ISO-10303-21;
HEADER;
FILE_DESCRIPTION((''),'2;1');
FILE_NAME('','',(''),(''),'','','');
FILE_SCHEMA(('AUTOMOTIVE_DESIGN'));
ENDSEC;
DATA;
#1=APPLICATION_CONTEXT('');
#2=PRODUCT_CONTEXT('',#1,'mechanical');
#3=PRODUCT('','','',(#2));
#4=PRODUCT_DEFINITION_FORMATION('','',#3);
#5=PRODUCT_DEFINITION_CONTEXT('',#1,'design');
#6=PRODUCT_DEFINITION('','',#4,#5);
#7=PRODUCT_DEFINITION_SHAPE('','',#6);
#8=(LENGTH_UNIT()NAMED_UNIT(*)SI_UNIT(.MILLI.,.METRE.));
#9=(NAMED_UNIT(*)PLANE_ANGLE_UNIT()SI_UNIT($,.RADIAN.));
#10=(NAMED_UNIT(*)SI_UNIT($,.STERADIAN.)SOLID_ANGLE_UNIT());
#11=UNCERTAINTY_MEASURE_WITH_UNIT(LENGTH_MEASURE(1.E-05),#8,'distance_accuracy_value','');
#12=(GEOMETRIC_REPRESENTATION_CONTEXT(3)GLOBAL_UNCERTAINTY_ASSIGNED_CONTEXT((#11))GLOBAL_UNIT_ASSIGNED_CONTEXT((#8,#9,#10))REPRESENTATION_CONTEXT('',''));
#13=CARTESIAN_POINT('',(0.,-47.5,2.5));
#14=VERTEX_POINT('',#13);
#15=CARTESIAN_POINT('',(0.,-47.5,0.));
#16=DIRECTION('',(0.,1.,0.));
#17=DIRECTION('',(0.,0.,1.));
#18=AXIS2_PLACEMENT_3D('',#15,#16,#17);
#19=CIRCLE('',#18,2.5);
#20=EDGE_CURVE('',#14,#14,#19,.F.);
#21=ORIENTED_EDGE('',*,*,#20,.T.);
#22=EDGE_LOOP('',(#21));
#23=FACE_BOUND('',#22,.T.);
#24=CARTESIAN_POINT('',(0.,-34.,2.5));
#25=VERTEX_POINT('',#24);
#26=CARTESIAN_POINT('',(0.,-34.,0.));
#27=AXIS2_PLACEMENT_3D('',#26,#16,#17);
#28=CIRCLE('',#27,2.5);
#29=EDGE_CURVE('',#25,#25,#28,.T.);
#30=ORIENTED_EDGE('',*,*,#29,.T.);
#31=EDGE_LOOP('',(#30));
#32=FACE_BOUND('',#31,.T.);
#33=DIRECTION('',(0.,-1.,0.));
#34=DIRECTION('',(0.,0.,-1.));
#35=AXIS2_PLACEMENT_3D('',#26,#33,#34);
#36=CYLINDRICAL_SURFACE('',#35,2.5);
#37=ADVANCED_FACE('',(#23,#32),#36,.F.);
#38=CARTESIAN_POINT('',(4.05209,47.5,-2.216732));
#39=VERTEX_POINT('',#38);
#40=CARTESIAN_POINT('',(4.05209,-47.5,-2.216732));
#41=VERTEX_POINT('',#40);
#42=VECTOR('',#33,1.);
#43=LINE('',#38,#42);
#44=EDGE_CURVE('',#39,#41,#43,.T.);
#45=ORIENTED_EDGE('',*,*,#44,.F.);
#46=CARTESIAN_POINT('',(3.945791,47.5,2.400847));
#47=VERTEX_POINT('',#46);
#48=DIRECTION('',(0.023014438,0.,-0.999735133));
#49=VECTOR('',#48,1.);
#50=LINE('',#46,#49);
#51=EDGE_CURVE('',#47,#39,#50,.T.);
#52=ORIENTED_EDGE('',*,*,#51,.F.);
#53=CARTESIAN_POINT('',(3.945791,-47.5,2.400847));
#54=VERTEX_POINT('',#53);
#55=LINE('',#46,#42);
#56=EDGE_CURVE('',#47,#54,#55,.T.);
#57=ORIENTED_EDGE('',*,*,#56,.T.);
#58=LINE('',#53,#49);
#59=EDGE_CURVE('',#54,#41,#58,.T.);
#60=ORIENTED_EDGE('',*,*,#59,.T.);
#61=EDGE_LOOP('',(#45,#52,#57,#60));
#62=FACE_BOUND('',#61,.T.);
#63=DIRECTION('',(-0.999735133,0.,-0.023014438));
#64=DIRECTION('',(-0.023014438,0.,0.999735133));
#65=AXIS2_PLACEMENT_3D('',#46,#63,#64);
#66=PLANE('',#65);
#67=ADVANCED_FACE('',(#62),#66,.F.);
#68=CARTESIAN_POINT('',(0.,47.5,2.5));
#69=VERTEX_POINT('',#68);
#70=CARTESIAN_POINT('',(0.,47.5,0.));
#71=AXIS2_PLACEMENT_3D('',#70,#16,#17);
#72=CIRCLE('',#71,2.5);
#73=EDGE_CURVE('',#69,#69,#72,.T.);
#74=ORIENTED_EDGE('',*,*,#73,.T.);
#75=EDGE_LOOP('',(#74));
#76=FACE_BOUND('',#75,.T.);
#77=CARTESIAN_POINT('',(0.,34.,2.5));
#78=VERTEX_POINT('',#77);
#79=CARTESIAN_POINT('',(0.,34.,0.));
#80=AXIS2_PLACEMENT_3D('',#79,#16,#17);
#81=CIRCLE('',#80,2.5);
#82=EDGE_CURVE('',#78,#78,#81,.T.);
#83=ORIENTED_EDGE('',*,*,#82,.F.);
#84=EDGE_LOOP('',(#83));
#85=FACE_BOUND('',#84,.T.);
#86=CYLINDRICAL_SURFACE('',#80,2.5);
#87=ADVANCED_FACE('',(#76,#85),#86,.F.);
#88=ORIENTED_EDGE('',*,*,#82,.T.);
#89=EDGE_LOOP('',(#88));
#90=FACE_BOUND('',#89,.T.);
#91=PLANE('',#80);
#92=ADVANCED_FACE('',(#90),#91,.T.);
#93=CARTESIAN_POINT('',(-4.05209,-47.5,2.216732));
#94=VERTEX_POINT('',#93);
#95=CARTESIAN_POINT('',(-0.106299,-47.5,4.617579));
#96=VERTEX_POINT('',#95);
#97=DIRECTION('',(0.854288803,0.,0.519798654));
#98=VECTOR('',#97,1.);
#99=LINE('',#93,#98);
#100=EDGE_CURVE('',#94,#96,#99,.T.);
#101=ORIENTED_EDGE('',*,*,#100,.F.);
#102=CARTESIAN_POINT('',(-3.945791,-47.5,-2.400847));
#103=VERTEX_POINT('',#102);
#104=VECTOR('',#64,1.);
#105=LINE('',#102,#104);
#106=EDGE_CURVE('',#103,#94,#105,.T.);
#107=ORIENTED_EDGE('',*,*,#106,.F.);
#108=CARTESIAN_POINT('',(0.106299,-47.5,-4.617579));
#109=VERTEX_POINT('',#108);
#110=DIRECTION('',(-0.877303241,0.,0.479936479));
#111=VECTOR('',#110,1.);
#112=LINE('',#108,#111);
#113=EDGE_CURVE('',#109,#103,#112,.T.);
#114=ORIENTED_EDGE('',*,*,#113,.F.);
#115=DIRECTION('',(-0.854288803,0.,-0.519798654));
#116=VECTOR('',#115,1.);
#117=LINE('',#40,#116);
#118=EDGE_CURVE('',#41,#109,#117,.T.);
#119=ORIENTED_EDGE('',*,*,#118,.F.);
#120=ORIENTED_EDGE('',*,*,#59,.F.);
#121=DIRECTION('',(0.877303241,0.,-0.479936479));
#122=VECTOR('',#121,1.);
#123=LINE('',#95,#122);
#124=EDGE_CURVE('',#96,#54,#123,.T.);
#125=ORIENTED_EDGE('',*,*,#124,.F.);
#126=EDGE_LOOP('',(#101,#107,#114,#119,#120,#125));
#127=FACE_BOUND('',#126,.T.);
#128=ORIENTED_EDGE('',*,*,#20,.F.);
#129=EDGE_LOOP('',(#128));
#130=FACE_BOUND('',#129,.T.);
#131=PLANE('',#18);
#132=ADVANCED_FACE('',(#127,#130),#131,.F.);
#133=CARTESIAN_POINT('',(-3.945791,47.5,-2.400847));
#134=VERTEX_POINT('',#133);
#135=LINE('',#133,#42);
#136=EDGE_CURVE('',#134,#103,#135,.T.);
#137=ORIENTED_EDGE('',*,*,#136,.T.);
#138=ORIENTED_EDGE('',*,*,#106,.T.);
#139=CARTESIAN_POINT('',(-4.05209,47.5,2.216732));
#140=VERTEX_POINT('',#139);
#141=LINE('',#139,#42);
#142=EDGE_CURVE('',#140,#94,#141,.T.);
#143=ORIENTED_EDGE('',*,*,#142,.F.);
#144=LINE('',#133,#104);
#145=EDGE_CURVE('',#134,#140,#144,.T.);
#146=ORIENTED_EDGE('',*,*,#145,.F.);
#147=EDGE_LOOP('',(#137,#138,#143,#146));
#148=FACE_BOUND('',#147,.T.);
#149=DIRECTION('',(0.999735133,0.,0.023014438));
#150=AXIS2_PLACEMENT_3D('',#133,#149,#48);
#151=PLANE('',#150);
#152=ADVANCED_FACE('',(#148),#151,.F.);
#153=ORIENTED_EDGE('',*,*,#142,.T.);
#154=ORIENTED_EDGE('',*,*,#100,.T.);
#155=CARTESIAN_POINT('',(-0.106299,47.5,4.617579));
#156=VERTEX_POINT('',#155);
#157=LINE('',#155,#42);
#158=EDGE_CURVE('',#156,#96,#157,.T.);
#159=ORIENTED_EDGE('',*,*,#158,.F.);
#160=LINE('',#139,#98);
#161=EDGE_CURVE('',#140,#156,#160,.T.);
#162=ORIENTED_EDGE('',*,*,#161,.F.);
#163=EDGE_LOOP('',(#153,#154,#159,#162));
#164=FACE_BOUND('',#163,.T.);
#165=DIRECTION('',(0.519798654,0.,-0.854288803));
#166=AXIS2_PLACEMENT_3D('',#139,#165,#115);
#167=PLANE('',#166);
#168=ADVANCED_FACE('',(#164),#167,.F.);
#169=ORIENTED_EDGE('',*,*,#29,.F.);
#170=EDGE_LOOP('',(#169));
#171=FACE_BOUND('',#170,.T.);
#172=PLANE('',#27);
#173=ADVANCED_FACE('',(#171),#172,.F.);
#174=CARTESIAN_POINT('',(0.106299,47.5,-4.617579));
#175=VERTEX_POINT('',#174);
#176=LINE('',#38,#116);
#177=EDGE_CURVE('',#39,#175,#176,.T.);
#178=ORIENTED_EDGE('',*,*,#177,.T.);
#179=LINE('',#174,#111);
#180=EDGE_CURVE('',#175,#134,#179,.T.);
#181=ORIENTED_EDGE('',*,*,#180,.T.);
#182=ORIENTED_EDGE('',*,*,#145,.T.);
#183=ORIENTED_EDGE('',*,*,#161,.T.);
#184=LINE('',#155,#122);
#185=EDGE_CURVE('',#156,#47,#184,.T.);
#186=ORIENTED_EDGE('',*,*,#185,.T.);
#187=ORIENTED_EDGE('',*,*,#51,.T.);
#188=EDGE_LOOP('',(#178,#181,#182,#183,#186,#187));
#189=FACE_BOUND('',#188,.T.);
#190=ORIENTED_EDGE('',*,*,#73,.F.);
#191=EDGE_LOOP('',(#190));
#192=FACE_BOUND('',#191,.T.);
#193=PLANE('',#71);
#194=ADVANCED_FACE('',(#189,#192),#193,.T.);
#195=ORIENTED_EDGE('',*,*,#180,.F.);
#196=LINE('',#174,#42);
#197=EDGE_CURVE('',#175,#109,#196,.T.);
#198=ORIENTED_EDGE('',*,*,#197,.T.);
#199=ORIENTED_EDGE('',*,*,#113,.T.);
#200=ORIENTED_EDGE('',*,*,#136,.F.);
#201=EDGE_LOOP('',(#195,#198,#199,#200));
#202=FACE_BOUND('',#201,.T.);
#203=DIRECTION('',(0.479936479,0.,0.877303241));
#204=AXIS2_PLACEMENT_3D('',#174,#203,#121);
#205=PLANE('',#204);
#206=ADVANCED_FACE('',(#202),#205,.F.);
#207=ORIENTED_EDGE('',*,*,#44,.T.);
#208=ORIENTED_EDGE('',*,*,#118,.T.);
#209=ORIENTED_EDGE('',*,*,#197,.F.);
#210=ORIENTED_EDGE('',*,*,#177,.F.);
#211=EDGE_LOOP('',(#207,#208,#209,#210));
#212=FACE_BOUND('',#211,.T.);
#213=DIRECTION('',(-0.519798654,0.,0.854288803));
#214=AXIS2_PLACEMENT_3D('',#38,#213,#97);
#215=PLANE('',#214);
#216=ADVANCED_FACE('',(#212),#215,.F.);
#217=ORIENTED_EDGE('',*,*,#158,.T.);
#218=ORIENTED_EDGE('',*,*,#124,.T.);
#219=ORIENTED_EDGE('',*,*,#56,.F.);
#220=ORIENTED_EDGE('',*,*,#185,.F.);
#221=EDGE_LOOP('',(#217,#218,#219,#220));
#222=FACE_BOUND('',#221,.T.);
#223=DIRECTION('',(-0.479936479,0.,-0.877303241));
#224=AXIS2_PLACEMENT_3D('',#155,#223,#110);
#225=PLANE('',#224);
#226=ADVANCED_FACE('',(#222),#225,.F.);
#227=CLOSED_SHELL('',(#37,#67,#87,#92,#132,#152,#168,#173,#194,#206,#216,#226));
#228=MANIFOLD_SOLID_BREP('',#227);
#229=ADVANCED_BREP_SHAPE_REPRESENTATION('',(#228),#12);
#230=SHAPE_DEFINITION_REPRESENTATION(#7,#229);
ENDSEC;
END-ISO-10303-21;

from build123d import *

# Parameters (mm, degrees)
BOSS_EXTRUDE1_DEPTH = 47.5
CUT_EXTRUDE1_START  = 48
SKETCH1_3_R         = 2.5
CUT_EXTRUDE1_DEPTH  = 14
CUT_EXTRUDE2_START  = -34
SKETCH1_4_R         = 2.5
CUT_EXTRUDE2_DEPTH  = 14


with BuildPart() as part:
    # Sketch1 → Boss-Extrude1 (new, symmetric)
    with BuildSketch(Plane(origin=(0, 0, 0), x_dir=(1, 0, 0), z_dir=(0, 1, 0))):
        Polygon((4.052090098, 2.216731642), (0.106299134, 4.617578784), (-3.945790964, 2.400847142), (-4.052090098, -2.216731642), (-0.106299134, -4.617578784), (3.945790964, -2.400847142), align=None)
    extrude(amount=BOSS_EXTRUDE1_DEPTH, both=True)

    # Sketch1<3> → Cut-Extrude1 (cut)
    with BuildSketch(Plane(origin=(0, 0, 0), x_dir=(1, 0, 0), z_dir=(0, 1, 0)).offset(CUT_EXTRUDE1_START)):
        with Locations(Location((0, 0, 0), (0, 0, 270))):
            Circle(SKETCH1_3_R)
    extrude(amount=-CUT_EXTRUDE1_DEPTH, mode=Mode.SUBTRACT)

    # Sketch1<4> → Cut-Extrude2 (cut)
    with BuildSketch(Plane(origin=(0, 0, 0), x_dir=(1, 0, 0), z_dir=(0, 1, 0)).offset(CUT_EXTRUDE2_START)):
        with Locations(Location((0, 0, 0), (0, 0, 270))):
            Circle(SKETCH1_4_R)
    extrude(amount=-CUT_EXTRUDE2_DEPTH, mode=Mode.SUBTRACT)


solid = part.part
